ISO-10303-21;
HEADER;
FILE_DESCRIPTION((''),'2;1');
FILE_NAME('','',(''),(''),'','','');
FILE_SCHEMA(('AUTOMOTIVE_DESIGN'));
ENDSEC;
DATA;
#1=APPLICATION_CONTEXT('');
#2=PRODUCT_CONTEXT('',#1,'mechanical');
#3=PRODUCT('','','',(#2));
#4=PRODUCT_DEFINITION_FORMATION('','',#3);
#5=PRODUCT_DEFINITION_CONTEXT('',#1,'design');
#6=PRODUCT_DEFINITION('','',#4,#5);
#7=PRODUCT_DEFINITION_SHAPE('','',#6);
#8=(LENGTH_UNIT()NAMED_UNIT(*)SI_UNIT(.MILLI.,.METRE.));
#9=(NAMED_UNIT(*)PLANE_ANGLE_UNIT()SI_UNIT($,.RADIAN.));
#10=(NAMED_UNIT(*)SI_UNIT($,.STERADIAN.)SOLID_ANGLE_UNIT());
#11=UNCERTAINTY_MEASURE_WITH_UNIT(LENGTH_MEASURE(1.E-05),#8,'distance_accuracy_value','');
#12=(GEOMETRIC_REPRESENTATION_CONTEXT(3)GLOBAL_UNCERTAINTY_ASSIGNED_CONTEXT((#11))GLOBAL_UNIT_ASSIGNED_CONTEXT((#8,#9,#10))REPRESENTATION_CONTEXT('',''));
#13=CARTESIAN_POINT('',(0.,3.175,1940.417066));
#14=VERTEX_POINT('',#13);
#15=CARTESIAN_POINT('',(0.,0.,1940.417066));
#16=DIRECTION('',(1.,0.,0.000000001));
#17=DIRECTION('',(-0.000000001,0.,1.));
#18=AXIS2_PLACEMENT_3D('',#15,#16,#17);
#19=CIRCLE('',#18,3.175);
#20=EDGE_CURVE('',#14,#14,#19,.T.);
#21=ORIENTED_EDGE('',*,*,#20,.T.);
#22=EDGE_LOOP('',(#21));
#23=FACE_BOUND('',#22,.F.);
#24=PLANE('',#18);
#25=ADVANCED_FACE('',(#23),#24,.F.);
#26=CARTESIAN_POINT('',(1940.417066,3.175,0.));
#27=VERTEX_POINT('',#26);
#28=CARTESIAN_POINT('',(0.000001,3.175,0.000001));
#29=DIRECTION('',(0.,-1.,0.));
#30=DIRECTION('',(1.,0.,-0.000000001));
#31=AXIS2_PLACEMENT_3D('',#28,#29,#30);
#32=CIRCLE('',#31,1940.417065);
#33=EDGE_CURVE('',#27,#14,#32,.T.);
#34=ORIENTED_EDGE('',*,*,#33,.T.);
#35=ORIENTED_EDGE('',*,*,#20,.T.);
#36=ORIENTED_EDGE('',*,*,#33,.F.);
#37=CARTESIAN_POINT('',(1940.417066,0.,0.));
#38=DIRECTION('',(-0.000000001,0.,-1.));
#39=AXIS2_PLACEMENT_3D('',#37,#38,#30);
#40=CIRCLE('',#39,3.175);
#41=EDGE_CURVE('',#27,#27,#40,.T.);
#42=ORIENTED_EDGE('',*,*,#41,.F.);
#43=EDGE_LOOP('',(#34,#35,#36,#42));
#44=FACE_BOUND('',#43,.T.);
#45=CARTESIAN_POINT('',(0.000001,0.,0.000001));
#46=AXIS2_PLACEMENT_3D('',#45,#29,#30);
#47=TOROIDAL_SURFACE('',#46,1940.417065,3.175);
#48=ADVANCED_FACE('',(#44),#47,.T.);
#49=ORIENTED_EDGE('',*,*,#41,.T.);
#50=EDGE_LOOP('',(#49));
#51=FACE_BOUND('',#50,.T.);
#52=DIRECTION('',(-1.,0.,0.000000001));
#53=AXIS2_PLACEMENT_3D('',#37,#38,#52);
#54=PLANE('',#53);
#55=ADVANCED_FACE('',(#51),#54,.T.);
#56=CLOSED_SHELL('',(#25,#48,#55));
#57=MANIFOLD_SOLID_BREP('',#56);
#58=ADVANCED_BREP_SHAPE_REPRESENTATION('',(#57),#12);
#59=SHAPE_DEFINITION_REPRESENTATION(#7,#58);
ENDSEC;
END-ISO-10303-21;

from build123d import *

# Parameters (mm, degrees)
F1_R = 3.175


with BuildPart() as f2:
    # F2: sweep along a path in F0
    with BuildLine(Plane.XZ) as f2_path:
        ThreePointArc((1940.417066, 0), (1372.082066, 1372.082066), (0, 1940.417066))
    # F1 (on Right) → F2 (sweep)
    with BuildSketch(Plane.YZ):
        with Locations((0, 1940.417066)):
            Circle(F1_R)
    sweep(path=f2_path.line)


solid = f2.part
